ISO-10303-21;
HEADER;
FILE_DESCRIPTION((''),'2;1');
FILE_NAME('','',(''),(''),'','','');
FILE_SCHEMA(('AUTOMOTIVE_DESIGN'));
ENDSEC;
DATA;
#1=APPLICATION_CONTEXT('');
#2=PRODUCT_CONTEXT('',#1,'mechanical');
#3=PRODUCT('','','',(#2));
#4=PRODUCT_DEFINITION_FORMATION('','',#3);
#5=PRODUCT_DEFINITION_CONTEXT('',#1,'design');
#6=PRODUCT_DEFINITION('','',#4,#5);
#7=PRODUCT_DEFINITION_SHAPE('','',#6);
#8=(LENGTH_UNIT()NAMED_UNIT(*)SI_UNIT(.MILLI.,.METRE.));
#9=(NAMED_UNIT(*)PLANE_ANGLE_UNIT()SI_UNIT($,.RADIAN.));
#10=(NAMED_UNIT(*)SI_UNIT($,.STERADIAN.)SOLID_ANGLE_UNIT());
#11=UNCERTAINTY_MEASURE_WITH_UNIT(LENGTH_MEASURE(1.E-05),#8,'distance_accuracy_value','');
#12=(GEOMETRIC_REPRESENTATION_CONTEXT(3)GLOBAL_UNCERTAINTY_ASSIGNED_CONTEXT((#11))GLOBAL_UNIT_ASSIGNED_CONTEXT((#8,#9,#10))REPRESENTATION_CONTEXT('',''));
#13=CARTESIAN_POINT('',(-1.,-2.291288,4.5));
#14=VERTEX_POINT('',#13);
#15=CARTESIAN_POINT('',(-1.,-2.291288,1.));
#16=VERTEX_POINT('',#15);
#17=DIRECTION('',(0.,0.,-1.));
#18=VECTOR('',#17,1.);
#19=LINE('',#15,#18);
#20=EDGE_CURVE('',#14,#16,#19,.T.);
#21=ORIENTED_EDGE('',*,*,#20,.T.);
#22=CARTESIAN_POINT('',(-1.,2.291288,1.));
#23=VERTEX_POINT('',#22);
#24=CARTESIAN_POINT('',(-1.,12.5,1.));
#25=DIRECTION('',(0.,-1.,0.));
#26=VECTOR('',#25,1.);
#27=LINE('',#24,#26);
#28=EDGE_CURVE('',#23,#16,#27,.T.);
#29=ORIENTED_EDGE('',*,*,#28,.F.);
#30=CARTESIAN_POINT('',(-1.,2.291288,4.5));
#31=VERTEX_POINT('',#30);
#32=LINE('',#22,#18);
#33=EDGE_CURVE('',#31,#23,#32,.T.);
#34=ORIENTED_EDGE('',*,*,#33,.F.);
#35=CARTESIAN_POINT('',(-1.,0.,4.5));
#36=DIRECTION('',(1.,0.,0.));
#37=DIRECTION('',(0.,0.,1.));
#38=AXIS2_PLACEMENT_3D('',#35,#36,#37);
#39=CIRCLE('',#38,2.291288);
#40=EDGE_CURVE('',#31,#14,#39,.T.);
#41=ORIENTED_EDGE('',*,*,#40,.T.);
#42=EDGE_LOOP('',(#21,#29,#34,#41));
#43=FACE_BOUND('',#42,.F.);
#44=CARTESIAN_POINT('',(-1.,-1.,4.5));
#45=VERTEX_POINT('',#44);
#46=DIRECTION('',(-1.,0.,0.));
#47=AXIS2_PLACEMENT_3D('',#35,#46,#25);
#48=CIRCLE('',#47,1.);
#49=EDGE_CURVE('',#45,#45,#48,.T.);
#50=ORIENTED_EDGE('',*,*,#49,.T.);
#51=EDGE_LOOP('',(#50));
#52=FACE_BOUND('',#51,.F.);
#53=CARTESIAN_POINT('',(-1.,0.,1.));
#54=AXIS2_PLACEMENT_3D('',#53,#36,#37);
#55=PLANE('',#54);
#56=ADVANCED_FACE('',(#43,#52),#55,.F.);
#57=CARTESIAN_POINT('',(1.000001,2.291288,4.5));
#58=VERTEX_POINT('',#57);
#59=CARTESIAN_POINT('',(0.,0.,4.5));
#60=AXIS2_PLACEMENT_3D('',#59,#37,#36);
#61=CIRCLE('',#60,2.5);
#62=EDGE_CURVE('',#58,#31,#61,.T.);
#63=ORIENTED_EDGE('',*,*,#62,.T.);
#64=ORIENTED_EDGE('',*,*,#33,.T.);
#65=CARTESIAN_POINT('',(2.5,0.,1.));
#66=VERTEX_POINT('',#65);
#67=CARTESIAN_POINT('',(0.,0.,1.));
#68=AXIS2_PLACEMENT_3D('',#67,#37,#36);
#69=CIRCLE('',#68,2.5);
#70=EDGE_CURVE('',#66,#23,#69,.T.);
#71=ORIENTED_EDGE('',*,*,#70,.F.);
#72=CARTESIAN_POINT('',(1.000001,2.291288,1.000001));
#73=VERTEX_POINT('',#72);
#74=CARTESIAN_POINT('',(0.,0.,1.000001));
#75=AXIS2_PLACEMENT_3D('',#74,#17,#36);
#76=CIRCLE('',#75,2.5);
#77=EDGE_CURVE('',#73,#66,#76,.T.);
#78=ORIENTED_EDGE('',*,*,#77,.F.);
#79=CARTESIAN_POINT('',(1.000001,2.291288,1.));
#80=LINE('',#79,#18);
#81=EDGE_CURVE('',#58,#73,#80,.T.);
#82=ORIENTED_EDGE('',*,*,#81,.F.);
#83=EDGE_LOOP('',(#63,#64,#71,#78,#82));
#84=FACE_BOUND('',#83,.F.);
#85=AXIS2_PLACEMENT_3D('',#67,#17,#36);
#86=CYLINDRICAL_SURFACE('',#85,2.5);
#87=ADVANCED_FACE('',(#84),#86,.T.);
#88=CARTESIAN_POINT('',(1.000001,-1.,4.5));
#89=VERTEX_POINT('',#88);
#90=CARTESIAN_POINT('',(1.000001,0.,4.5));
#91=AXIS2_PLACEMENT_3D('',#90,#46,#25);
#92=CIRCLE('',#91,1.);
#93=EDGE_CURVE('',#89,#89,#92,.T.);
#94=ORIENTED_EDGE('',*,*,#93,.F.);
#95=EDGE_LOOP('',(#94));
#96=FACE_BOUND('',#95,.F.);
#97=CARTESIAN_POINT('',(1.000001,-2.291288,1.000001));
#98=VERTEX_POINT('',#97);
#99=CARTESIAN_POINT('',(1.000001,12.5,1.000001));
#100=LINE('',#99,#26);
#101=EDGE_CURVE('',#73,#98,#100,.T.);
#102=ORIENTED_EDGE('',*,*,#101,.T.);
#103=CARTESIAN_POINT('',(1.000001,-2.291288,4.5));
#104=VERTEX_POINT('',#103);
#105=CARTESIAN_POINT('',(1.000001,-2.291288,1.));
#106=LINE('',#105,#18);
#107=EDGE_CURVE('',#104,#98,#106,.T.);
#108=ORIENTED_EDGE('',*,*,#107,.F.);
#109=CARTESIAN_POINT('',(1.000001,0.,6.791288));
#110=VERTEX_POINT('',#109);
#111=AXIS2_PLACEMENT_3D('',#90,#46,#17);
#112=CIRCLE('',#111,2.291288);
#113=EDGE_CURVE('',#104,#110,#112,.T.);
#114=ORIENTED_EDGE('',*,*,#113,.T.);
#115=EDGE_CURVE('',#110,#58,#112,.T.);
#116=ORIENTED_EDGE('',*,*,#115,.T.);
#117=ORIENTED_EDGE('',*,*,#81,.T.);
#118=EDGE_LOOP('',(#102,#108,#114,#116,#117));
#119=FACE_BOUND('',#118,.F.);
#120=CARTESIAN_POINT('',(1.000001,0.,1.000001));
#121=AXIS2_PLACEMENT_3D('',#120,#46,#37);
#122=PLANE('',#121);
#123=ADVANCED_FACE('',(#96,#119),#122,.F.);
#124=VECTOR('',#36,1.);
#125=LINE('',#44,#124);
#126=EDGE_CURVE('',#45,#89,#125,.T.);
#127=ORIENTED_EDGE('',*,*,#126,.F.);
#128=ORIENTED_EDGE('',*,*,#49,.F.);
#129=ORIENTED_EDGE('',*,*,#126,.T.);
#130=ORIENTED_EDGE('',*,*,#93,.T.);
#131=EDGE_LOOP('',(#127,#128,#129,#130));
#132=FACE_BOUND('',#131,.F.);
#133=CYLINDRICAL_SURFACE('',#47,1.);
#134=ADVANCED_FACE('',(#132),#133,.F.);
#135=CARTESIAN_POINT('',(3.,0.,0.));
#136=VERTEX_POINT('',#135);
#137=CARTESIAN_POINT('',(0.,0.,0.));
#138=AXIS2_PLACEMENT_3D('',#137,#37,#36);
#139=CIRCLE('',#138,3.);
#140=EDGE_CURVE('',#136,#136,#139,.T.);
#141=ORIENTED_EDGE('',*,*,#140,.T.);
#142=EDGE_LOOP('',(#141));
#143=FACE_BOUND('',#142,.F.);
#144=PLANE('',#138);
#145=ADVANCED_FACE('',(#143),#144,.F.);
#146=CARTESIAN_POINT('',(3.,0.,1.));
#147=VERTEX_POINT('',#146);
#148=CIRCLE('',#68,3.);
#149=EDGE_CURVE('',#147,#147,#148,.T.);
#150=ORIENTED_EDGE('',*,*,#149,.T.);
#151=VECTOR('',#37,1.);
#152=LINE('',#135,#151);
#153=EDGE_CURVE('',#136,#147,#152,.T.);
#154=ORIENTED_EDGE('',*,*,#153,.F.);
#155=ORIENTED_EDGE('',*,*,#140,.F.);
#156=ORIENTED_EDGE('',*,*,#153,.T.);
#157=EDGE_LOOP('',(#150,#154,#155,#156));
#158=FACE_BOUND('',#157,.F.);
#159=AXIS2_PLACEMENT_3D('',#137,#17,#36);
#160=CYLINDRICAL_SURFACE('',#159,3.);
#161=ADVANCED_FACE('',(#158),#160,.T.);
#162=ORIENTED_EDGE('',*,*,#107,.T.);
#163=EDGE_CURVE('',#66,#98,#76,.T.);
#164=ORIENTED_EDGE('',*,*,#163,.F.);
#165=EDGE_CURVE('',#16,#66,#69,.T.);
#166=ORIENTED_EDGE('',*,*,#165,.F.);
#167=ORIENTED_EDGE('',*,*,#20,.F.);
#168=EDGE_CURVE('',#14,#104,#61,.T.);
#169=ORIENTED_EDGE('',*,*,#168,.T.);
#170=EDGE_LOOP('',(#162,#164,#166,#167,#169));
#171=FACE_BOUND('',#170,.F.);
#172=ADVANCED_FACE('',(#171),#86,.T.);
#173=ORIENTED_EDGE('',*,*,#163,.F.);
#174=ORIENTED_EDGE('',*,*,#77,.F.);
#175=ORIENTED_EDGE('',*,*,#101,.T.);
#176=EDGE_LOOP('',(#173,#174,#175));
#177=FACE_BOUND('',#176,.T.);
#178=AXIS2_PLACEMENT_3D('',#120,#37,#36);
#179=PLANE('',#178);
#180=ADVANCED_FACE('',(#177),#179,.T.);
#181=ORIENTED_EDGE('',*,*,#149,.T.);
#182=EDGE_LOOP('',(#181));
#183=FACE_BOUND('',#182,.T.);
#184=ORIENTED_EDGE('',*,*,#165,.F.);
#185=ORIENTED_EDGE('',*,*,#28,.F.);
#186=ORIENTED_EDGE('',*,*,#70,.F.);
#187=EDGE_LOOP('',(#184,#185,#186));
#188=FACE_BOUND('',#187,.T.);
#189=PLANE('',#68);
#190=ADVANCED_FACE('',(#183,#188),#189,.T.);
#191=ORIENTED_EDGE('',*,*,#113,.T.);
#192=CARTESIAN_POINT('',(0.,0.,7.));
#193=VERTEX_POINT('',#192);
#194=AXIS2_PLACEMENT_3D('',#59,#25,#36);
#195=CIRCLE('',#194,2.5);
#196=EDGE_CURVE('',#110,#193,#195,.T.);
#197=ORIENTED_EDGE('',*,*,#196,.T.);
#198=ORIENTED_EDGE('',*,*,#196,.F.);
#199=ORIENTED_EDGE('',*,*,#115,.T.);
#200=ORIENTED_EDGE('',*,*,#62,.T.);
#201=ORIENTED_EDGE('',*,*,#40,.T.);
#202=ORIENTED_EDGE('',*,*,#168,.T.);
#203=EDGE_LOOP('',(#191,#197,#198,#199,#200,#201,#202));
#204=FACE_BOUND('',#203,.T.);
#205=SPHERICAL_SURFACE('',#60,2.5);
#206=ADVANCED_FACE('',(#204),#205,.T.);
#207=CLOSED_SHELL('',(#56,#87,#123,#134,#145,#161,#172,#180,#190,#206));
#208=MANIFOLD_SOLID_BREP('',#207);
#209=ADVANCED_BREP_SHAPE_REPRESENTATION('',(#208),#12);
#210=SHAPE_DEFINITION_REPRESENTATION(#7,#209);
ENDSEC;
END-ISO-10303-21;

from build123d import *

# Parameters (mm, degrees)
F0_R     = 3
F1_DEPTH = 1
F2_R     = 2.5
F3_DEPTH = 6
F4_R     = 2.5
F5_W     = 2.035479
F5_H     = 6.262277
F5_W_2   = 2.073893
F5_H_2   = 6.24879
F6_DEPTH = 12.5
F7_R     = 1
F8_DEPTH = 25


with BuildPart() as f1:
    # F0 (on Top) → F1 (new body)
    with BuildSketch(Plane.XY):
        Circle(F0_R)
    extrude(amount=F1_DEPTH)

    # F2 (on face) → F3 (join)
    with BuildSketch(Plane.XY.offset(1)):
        Circle(F2_R)
    extrude(amount=F3_DEPTH)

    # F4
    f4_edges = [f1.edges().sort_by_distance(p)[0] for p in [
        (-2.5, 0, 7),
    ]]
    fillet(f4_edges, radius=F4_R)

    # F5 (on Front) → F6 (cut, symmetric)
    with BuildSketch(Plane.XZ):
        with Locations((2.01774, 4.131139)):
            Rectangle(F5_W, F5_H)
        with Locations((-2.036946, 4.124395)):
            Rectangle(F5_W_2, F5_H_2)
    extrude(amount=F6_DEPTH, both=True, mode=Mode.SUBTRACT)

    # F7 (on face) → F8 (cut)
    with BuildSketch(Plane(origin=(-1, 0, 0), x_dir=(0, -1, 0), z_dir=(-1, 0, 0))):
        with Locations((0, 4.5)):
            Circle(F7_R)
    extrude(amount=-F8_DEPTH, mode=Mode.SUBTRACT)


solid = f1.part
